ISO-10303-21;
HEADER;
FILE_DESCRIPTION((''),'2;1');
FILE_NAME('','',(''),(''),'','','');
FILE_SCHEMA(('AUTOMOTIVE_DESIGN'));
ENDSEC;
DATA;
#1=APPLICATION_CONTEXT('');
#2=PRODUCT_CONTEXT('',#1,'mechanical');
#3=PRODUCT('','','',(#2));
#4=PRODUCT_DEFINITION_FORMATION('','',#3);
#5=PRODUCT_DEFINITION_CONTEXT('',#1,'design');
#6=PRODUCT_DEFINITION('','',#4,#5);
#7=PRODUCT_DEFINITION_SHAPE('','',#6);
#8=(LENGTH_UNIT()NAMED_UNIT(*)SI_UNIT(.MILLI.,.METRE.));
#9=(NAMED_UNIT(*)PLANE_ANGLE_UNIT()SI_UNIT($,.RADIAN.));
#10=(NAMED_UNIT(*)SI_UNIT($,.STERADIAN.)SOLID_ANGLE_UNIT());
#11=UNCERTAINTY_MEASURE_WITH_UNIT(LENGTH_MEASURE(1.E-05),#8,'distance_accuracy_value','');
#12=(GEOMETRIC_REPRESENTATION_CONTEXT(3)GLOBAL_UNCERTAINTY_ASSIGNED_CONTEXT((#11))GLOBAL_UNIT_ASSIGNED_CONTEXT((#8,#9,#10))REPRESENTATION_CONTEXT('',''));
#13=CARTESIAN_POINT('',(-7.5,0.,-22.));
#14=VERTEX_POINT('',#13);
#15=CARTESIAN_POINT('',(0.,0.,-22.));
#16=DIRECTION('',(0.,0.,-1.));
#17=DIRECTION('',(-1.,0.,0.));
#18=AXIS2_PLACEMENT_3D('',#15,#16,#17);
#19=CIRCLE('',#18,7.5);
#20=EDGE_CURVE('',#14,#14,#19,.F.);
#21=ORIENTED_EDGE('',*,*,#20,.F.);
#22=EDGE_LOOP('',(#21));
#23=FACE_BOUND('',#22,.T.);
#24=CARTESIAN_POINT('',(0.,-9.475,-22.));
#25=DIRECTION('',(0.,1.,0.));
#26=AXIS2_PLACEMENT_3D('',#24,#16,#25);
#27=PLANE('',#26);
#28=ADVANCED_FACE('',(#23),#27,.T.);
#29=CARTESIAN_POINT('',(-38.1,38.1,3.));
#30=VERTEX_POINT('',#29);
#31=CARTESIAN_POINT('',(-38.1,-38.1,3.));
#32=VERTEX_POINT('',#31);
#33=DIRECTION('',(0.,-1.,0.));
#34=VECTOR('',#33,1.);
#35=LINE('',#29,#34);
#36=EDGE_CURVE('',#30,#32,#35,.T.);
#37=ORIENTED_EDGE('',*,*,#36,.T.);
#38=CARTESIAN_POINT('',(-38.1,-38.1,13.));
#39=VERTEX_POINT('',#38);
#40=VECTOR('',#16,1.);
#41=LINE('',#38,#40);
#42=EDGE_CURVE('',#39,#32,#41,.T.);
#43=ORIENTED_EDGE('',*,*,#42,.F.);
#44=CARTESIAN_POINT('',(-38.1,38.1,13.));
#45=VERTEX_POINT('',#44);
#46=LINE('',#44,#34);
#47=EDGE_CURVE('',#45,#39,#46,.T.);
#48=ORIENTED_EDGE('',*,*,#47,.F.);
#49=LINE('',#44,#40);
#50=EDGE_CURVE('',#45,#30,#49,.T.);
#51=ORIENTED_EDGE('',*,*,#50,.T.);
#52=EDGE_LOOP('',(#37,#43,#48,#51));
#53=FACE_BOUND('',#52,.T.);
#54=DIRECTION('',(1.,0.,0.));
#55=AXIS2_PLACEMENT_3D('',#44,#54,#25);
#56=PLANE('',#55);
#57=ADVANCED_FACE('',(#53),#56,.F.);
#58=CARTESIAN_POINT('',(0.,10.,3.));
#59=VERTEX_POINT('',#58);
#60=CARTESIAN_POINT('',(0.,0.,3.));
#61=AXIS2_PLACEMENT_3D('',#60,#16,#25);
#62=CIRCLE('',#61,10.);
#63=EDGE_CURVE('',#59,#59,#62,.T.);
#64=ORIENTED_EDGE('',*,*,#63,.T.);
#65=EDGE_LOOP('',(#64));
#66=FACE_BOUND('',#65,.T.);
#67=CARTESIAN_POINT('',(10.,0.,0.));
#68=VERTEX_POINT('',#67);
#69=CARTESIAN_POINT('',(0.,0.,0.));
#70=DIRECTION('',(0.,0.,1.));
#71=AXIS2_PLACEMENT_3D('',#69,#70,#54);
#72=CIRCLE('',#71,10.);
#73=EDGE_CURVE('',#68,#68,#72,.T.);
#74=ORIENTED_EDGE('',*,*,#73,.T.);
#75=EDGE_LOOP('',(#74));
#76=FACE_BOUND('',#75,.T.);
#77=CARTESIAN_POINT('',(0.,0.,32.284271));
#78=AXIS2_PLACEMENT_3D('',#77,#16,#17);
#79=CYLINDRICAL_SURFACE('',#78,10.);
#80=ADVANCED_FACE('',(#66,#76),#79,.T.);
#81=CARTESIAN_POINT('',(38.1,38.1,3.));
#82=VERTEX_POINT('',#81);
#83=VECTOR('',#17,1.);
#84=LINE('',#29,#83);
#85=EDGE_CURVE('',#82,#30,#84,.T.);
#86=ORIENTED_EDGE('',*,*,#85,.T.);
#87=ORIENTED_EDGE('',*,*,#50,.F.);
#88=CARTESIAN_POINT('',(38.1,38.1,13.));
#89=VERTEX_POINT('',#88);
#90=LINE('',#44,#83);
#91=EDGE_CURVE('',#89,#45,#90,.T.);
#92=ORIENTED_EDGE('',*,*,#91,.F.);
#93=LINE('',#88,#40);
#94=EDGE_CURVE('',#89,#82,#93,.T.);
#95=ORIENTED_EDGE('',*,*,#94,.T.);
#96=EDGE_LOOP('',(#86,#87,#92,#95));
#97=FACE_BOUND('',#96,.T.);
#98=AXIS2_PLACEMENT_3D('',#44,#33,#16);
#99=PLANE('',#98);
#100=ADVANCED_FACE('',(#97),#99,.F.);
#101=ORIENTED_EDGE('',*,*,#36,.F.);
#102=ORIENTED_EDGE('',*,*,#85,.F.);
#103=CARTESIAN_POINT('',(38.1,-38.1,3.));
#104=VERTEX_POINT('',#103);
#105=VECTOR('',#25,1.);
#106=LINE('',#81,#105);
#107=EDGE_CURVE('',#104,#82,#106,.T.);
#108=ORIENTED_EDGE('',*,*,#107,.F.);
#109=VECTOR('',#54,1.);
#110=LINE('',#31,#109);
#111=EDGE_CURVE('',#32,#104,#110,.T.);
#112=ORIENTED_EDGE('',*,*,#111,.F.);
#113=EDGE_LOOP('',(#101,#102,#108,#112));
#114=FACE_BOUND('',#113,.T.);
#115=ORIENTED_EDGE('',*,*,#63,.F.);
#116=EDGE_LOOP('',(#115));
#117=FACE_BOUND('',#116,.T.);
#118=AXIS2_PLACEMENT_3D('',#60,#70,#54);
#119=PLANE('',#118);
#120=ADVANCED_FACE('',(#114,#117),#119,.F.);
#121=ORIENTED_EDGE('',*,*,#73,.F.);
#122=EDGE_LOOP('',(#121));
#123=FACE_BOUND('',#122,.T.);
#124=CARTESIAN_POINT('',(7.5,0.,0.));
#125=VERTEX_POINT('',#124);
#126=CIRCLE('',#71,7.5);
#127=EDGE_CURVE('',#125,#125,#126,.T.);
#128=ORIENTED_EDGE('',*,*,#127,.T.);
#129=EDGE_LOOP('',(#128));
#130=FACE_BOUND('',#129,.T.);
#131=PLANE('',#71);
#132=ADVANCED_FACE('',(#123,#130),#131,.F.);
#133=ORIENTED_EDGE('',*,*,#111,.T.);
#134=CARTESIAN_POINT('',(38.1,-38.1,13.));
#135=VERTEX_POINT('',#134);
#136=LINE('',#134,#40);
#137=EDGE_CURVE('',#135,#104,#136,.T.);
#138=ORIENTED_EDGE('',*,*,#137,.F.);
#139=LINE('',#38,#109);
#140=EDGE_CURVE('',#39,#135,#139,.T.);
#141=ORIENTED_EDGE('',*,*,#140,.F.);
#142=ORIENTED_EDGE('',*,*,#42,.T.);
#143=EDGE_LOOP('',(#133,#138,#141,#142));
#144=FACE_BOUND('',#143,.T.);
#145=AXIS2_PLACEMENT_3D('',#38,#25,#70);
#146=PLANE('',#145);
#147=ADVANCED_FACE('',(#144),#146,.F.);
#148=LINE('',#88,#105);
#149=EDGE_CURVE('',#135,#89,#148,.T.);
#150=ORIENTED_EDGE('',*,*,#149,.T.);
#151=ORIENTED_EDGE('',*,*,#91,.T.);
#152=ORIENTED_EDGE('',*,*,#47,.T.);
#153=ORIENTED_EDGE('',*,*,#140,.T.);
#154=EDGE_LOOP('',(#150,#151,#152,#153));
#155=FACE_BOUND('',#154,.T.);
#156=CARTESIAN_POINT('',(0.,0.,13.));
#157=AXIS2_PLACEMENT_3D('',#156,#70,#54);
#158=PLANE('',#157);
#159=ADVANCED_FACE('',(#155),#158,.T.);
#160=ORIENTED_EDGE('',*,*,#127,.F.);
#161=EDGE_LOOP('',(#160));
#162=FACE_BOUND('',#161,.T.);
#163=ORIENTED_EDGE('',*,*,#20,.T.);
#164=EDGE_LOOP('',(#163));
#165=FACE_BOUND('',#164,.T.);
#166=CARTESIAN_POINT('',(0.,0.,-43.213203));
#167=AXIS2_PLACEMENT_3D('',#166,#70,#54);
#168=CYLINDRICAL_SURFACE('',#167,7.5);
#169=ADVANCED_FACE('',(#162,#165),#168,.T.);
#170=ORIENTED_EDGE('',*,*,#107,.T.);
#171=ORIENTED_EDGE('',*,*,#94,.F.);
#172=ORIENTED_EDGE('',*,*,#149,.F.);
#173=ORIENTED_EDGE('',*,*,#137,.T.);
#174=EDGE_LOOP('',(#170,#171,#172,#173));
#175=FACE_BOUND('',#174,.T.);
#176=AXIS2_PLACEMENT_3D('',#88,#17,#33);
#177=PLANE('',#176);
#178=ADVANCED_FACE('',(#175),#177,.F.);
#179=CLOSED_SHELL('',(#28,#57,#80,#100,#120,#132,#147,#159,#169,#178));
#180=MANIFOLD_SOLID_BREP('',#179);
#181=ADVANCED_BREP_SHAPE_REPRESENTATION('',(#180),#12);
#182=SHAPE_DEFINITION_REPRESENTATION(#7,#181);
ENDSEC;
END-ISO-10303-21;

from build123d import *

# Parameters (mm, degrees)
SKETCH1_R           = 7.5
BOSS_EXTRUDE1_DEPTH = 22
SKETCH2_R           = 10
BOSS_EXTRUDE2_DEPTH = 3
SKETCH3_W           = 76.2
SKETCH3_H           = 76.2
BOSS_EXTRUDE3_DEPTH = 10


with BuildPart() as part:
    # Sketch1 → Boss-Extrude1 (new body)
    with BuildSketch(Plane.XY):
        Circle(SKETCH1_R)
    extrude(amount=-BOSS_EXTRUDE1_DEPTH)

    # Sketch2 → Boss-Extrude2 (add)
    with BuildSketch(Plane.XY):
        with Locations(Location((0, 0, 0), (0, 0, 90))):
            Circle(SKETCH2_R)
    extrude(amount=BOSS_EXTRUDE2_DEPTH)

    # Sketch3 → Boss-Extrude3 (add)
    with BuildSketch(Plane.XY.offset(3)):
        Rectangle(SKETCH3_W, SKETCH3_H)
    extrude(amount=BOSS_EXTRUDE3_DEPTH)


solid = part.part
